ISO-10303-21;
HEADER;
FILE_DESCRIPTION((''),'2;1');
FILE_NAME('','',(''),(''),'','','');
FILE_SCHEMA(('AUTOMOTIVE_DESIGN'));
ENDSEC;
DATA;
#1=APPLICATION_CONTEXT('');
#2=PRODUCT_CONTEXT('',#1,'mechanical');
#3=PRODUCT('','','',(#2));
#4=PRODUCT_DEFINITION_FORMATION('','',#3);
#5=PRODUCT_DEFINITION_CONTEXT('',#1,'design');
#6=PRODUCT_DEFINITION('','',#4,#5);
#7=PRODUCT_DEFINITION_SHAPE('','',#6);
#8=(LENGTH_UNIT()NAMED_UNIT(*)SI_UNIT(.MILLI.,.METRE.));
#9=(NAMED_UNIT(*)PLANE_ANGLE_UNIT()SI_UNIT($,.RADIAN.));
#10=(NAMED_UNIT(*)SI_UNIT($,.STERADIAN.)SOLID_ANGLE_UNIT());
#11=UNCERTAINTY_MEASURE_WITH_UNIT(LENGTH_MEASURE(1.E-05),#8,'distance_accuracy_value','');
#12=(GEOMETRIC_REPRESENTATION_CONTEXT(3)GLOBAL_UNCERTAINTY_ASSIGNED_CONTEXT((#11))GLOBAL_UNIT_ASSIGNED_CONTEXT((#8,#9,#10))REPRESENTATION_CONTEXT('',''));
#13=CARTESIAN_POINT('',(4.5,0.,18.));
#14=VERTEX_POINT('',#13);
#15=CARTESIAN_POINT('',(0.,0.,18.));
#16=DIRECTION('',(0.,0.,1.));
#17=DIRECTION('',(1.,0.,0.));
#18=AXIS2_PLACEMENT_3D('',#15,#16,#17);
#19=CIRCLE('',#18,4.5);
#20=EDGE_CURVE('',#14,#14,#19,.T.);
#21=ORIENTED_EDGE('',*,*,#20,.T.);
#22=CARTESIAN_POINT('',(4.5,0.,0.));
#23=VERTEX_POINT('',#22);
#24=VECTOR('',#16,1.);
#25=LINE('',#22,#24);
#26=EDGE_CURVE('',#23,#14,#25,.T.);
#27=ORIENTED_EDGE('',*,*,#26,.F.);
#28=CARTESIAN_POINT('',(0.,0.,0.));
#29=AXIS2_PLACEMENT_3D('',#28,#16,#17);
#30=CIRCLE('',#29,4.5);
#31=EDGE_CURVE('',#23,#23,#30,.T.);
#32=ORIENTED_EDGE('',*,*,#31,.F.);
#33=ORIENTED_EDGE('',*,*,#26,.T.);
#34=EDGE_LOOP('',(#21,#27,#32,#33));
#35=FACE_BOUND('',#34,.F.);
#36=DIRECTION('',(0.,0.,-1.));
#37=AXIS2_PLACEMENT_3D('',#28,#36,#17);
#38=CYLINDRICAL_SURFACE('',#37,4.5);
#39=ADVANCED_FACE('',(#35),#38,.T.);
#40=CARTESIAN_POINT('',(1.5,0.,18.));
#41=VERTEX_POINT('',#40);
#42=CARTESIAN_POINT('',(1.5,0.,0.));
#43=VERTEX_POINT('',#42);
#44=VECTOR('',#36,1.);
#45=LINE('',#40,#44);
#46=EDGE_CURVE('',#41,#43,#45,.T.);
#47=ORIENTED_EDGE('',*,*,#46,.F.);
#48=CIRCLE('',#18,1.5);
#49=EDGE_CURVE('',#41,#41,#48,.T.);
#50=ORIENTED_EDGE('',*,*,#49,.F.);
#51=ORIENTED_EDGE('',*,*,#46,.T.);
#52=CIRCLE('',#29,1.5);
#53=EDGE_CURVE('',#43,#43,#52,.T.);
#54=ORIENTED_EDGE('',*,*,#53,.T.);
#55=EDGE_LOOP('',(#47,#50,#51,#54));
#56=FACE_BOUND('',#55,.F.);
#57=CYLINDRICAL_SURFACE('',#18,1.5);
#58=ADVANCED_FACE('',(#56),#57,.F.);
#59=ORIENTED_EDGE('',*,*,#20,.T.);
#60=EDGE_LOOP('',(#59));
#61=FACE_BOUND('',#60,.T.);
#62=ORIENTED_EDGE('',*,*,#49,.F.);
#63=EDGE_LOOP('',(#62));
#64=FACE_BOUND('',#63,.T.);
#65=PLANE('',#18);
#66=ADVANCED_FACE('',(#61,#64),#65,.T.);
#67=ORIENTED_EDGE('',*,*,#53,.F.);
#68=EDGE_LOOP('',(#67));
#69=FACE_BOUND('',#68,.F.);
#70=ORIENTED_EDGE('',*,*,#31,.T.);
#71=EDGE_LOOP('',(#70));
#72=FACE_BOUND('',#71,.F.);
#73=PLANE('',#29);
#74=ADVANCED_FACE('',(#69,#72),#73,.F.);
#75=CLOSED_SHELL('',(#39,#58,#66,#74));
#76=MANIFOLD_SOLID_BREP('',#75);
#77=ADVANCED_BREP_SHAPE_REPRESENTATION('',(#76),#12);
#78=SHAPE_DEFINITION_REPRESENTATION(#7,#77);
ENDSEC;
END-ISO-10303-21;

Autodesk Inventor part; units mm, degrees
ref_plane "YZ Plane" through (0, 0, 0) normal (1, 0, 0) x (0, 1, 0)
ref_plane "XZ Plane" through (0, 0, 0) normal (0, 1, 0) x (-1, 0, 0)
ref_plane "XY Plane" through (0, 0, 0) normal (0, 0, 1) x (1, 0, 0)
sketch "スケッチ1" plane through (0, 0, 0) normal (0, 0, 1) x (1, 0, 0)
  circle A0 centre (0, 0) radius 4.5
  dimension "d0" = 9
extrude "押し出し1" add sketch "スケッチ1" along normal blind 18
sketch "スケッチ2" plane through (0, 0, 18) normal (0, 0, 1) x (1, 0, 0)
  circle A0 centre (0, 0) radius 1.5
  dimension "d3" = 3
extrude "押し出し2" cut sketch "スケッチ2" against normal blind 18
properties part number "S50D 18K－0803" material "アセタール樹脂、白"
